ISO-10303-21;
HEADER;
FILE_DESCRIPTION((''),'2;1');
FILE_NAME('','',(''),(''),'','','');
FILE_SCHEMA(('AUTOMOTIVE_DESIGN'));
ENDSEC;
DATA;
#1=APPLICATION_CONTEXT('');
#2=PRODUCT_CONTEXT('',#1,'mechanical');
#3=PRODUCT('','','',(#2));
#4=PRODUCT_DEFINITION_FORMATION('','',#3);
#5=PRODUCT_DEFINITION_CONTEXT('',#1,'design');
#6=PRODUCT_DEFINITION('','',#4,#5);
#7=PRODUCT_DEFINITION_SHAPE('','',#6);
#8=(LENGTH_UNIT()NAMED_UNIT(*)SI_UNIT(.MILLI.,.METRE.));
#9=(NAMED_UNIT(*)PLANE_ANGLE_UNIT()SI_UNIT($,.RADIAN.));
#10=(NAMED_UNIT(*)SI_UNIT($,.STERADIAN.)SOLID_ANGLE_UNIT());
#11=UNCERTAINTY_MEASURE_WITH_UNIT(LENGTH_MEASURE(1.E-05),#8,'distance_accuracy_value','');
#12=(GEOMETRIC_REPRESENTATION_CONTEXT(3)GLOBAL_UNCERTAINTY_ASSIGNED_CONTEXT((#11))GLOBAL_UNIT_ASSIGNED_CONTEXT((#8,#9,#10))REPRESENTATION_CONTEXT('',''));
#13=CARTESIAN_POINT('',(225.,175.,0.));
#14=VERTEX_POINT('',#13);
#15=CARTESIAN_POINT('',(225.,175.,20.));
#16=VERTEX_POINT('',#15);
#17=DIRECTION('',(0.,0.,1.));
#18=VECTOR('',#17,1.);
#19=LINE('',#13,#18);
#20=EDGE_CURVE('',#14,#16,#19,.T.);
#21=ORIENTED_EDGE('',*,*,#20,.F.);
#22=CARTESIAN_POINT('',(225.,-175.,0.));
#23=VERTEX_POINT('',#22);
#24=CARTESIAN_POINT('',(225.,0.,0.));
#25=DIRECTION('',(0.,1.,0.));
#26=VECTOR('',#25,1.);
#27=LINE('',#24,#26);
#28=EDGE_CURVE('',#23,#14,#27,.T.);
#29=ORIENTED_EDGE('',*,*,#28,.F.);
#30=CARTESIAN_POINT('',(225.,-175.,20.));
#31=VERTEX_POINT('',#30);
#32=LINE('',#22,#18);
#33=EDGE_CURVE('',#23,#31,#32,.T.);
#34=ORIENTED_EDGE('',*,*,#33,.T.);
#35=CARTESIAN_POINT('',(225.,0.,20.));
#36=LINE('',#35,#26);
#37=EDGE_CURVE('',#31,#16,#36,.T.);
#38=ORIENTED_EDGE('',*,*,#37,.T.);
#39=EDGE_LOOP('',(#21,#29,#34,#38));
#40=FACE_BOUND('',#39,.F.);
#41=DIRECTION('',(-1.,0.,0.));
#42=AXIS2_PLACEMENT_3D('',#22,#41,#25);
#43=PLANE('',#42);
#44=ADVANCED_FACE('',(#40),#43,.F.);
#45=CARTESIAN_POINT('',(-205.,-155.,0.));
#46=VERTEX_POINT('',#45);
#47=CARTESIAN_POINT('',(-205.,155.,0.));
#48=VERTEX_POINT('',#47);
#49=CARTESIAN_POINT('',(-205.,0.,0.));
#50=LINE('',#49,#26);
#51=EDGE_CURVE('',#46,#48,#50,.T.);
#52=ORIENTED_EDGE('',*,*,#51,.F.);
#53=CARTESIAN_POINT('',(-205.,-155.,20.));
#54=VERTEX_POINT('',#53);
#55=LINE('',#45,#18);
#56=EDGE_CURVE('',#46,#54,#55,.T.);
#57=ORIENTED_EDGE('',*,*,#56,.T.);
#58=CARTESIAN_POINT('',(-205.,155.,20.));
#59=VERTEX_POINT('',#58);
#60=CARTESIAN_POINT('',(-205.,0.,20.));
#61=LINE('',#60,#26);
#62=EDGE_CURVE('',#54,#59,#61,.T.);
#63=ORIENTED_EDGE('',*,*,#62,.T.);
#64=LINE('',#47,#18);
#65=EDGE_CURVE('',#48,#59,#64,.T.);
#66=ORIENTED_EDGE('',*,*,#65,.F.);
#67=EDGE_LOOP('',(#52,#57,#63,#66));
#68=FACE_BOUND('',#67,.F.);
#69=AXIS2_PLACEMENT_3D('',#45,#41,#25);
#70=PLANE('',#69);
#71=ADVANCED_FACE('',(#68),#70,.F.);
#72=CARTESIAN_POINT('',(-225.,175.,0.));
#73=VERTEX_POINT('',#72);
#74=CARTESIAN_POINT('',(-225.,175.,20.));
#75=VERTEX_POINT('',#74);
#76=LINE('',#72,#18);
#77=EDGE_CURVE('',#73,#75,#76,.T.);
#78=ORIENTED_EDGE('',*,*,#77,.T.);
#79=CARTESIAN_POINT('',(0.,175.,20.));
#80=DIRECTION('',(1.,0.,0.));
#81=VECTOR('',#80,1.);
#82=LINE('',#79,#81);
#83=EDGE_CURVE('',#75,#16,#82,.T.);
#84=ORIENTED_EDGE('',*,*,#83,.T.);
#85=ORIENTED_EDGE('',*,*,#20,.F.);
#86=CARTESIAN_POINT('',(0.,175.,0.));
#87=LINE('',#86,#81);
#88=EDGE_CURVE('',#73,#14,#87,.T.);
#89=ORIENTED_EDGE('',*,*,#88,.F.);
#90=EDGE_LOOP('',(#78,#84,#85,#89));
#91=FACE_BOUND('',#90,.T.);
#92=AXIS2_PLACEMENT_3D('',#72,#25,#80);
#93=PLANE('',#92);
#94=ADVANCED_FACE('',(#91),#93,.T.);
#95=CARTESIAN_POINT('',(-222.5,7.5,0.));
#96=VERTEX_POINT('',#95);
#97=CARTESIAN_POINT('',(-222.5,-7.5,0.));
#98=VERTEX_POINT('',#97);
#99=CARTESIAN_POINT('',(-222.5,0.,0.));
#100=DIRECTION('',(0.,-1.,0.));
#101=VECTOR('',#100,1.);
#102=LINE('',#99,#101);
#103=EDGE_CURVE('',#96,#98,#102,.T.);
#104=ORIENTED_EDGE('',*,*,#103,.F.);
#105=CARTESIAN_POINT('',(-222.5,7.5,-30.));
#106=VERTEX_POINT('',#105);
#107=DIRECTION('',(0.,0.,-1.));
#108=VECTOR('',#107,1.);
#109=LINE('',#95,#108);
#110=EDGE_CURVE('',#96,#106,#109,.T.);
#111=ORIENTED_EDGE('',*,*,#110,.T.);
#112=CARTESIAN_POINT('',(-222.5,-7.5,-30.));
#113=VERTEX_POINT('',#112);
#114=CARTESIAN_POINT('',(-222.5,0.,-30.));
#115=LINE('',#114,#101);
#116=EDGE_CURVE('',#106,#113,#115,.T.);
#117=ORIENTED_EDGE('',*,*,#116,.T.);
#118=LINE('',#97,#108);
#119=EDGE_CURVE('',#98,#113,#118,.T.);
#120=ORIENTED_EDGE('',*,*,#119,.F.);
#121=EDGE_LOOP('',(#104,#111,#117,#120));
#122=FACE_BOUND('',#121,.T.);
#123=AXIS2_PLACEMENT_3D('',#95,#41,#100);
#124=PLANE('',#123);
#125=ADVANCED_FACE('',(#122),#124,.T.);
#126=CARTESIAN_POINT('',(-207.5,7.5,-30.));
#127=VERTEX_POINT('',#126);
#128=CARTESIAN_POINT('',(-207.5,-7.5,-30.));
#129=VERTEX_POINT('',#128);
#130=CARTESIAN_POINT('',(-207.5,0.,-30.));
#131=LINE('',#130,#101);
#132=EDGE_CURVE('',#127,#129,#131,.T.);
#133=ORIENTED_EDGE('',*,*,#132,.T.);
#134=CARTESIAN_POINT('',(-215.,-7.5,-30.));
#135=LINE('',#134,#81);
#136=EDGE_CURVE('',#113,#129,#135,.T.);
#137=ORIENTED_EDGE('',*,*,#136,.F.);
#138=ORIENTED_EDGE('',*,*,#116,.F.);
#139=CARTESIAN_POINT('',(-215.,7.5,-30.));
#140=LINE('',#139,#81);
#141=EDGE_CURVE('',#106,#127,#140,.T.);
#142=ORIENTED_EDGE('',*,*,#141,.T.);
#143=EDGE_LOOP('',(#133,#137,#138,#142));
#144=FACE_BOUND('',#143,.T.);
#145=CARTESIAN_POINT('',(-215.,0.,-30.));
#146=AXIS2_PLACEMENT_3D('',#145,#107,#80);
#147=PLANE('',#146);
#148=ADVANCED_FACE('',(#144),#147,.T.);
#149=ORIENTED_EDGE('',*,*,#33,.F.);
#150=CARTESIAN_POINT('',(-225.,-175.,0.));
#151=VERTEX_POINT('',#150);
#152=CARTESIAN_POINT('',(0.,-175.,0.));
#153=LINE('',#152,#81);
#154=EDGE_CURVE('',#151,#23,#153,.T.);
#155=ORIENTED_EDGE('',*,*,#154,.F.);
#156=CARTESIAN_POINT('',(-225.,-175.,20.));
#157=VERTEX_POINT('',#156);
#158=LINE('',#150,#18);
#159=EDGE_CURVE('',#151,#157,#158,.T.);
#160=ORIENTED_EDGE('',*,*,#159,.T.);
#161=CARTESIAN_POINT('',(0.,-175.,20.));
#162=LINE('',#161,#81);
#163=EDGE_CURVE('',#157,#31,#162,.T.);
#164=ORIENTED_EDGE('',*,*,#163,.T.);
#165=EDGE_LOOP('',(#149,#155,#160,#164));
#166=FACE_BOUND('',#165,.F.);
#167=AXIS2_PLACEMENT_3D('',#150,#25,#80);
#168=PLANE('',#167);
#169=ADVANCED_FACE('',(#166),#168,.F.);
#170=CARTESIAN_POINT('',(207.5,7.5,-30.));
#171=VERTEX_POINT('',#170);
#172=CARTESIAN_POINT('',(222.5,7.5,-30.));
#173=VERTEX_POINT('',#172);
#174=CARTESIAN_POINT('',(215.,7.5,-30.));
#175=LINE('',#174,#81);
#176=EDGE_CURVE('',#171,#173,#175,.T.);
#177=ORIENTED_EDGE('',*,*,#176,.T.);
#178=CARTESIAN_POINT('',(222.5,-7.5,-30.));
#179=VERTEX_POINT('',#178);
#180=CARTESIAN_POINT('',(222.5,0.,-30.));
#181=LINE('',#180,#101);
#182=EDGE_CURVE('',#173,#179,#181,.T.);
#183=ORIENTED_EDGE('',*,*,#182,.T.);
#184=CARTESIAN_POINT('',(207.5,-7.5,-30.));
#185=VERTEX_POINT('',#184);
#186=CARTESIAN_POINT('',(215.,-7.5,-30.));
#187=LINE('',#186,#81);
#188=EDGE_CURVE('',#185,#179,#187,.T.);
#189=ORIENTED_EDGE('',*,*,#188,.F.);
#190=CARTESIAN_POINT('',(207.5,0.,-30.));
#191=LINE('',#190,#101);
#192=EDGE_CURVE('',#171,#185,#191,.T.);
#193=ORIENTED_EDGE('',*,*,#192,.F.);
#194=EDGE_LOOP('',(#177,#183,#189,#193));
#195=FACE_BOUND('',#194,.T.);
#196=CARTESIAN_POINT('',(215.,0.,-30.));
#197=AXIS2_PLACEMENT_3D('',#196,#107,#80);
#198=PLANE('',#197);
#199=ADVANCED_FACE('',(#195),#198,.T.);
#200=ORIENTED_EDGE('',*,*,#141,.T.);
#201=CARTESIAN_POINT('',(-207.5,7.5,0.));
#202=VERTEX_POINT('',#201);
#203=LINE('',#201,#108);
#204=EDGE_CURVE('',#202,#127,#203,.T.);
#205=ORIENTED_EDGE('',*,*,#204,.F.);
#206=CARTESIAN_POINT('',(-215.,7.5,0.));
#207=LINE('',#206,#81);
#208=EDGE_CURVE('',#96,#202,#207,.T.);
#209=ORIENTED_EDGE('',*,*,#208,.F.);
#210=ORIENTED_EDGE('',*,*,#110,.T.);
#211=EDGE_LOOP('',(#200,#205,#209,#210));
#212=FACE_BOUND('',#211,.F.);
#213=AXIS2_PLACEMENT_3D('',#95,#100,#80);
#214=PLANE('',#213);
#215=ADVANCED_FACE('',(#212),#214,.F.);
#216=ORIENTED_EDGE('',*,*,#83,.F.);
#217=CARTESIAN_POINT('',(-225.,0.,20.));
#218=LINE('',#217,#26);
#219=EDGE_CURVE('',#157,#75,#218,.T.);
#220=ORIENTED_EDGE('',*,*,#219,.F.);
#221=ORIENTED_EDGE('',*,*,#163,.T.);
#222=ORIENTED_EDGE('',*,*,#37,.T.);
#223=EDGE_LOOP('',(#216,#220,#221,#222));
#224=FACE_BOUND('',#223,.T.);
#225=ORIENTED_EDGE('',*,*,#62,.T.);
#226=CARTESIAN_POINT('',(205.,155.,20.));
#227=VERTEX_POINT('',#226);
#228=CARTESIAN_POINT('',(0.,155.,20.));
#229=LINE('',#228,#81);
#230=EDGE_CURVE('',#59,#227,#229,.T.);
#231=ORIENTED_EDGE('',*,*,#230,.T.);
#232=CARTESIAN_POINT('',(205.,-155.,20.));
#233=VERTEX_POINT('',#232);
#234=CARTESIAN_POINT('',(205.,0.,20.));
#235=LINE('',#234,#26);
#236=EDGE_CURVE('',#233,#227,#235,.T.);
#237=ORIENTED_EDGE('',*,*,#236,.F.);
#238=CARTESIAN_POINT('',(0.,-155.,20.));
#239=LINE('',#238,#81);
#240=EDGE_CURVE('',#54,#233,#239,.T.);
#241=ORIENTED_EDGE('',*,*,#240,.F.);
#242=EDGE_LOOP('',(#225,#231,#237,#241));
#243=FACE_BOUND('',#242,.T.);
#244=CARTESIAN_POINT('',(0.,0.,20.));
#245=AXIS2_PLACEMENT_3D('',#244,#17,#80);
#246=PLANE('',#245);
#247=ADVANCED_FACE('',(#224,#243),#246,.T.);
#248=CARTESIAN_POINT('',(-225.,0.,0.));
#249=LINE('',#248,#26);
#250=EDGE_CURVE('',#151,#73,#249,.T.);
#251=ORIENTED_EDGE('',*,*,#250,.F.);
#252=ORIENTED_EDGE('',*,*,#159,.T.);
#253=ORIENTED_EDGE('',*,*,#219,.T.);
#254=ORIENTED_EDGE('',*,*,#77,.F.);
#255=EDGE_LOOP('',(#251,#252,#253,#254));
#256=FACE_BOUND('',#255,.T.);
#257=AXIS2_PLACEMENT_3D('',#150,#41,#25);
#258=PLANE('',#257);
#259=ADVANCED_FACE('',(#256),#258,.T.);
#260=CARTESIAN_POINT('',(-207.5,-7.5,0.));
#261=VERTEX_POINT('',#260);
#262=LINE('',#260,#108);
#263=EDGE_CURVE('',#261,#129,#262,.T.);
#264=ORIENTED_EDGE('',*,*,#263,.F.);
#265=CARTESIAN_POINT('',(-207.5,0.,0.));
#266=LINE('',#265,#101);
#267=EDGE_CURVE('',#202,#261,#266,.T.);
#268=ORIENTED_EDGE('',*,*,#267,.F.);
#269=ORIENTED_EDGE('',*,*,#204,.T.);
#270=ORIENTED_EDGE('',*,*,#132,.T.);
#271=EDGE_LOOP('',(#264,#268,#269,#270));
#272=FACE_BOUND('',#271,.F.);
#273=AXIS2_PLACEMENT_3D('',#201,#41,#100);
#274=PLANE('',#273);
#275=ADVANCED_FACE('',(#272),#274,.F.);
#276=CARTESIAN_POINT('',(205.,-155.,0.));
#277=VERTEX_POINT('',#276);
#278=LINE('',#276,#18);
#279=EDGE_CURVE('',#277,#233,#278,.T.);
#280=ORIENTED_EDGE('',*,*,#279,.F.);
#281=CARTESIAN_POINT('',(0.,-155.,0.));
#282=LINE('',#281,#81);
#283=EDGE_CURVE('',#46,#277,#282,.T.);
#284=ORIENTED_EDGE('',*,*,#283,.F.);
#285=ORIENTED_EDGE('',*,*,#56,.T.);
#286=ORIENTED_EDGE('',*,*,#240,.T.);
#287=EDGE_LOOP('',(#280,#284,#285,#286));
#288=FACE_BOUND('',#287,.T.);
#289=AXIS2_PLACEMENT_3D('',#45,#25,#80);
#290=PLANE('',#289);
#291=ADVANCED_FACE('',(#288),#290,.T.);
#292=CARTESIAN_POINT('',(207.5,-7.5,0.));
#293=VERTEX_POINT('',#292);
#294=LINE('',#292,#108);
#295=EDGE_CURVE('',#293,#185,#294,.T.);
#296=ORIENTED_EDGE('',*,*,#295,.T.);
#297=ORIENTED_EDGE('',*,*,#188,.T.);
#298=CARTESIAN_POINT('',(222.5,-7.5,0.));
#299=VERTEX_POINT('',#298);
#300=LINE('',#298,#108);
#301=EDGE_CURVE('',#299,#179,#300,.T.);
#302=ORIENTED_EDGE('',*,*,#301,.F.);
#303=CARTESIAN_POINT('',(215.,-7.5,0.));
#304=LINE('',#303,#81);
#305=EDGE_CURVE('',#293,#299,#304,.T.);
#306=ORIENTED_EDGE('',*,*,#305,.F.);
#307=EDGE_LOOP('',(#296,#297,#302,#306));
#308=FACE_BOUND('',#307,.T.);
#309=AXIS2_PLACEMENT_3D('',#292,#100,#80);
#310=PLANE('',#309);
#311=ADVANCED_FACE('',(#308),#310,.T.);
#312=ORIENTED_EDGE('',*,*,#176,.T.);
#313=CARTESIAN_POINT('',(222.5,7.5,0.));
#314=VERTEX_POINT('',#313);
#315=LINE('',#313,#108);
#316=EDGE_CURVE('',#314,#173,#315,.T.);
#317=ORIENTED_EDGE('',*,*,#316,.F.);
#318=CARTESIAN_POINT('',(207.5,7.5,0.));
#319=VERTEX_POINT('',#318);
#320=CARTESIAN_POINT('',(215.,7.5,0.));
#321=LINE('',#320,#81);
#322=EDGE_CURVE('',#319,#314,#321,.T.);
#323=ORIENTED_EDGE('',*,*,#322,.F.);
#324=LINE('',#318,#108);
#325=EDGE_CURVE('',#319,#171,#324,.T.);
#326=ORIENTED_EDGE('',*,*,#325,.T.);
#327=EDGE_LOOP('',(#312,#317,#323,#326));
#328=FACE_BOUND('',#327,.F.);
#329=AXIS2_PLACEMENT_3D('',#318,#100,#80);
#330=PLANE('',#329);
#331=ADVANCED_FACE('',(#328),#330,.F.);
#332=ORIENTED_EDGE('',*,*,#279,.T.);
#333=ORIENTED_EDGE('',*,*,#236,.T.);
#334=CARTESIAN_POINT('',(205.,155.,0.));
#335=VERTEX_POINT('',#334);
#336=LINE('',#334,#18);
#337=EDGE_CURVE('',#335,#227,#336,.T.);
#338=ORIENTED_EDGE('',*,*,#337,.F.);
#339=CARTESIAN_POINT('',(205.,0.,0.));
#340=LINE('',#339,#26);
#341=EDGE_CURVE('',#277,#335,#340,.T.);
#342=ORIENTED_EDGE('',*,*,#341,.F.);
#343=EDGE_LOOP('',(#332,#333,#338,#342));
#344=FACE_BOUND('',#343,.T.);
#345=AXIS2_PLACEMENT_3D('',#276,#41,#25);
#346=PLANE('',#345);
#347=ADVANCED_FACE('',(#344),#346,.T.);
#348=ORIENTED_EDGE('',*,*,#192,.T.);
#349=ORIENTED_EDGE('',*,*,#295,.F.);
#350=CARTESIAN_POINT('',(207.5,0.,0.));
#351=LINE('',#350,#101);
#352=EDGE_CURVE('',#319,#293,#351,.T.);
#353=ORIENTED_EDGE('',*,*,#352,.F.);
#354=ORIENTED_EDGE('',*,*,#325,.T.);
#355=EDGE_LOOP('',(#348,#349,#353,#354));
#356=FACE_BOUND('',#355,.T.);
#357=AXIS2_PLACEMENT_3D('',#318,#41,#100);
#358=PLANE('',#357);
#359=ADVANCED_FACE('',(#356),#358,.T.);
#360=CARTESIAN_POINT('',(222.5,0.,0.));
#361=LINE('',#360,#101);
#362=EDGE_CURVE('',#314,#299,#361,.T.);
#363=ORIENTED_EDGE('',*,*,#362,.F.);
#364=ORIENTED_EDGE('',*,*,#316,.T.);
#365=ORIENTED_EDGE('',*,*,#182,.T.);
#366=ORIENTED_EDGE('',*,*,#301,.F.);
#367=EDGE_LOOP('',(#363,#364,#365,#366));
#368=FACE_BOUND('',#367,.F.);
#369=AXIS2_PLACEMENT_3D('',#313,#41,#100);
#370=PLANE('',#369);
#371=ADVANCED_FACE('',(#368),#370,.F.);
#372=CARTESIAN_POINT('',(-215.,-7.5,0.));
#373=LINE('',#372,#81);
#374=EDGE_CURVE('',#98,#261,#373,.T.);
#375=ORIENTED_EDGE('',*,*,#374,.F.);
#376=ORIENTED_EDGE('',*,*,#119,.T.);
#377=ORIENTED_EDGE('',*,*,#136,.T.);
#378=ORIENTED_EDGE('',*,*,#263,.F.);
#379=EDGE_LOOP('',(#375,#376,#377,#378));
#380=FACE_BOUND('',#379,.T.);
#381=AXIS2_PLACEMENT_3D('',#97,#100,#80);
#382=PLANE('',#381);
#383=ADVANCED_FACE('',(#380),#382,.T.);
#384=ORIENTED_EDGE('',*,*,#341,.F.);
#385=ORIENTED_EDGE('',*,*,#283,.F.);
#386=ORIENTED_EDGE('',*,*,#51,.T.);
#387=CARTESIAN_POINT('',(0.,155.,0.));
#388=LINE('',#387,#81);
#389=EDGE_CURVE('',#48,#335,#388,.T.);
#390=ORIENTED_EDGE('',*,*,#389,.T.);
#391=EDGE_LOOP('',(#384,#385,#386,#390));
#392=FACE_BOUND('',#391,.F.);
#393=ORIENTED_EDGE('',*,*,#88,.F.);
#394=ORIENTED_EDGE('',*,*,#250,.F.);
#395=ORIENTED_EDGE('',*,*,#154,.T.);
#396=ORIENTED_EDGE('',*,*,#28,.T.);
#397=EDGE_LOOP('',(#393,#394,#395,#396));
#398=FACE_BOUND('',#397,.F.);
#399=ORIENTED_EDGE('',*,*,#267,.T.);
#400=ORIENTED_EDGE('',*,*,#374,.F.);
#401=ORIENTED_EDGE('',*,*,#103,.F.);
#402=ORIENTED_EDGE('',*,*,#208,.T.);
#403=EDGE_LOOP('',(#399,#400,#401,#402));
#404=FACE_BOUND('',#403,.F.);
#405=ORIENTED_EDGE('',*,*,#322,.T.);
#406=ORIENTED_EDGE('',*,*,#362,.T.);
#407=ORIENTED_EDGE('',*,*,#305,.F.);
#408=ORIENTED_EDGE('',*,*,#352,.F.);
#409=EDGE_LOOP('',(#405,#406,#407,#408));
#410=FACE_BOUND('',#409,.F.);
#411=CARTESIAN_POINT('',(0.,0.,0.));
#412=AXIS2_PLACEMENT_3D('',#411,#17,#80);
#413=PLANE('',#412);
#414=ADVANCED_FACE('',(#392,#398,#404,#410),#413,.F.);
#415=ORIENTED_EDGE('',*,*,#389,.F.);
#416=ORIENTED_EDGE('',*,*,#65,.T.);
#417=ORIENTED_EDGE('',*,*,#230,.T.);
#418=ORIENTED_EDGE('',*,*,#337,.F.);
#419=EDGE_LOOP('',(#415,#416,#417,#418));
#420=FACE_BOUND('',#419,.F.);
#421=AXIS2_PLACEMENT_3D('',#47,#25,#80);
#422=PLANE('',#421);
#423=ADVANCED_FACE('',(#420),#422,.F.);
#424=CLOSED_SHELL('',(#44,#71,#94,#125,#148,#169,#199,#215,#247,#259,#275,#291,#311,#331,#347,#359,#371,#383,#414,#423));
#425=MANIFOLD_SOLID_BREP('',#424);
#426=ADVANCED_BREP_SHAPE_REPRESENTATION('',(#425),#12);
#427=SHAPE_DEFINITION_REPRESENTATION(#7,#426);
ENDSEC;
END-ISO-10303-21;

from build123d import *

# Parameters (mm, degrees)
F0_W     = 450
F0_H     = 350
F0_W_2   = 410
F0_H_2   = 310
F1_DEPTH = 20
F2_W     = 15
F2_H     = 15
F3_DEPTH = 30


with BuildPart() as f1:
    # F0 (on Top) → F1 (new body)
    with BuildSketch(Plane.XY):
        Rectangle(F0_W, F0_H)
        Rectangle(F0_W_2, F0_H_2, mode=Mode.SUBTRACT)
    extrude(amount=F1_DEPTH)

    # F2 (on face) → F3 (join)
    with BuildSketch(Plane(origin=(0, 0, 0), x_dir=(1, 0, 0), z_dir=(0, 0, -1))):
        with Locations((-215, 0)):
            Rectangle(F2_W, F2_H)
        with Locations((215, 0)):
            Rectangle(F2_W, F2_H)
    extrude(amount=F3_DEPTH)


solid = f1.part
